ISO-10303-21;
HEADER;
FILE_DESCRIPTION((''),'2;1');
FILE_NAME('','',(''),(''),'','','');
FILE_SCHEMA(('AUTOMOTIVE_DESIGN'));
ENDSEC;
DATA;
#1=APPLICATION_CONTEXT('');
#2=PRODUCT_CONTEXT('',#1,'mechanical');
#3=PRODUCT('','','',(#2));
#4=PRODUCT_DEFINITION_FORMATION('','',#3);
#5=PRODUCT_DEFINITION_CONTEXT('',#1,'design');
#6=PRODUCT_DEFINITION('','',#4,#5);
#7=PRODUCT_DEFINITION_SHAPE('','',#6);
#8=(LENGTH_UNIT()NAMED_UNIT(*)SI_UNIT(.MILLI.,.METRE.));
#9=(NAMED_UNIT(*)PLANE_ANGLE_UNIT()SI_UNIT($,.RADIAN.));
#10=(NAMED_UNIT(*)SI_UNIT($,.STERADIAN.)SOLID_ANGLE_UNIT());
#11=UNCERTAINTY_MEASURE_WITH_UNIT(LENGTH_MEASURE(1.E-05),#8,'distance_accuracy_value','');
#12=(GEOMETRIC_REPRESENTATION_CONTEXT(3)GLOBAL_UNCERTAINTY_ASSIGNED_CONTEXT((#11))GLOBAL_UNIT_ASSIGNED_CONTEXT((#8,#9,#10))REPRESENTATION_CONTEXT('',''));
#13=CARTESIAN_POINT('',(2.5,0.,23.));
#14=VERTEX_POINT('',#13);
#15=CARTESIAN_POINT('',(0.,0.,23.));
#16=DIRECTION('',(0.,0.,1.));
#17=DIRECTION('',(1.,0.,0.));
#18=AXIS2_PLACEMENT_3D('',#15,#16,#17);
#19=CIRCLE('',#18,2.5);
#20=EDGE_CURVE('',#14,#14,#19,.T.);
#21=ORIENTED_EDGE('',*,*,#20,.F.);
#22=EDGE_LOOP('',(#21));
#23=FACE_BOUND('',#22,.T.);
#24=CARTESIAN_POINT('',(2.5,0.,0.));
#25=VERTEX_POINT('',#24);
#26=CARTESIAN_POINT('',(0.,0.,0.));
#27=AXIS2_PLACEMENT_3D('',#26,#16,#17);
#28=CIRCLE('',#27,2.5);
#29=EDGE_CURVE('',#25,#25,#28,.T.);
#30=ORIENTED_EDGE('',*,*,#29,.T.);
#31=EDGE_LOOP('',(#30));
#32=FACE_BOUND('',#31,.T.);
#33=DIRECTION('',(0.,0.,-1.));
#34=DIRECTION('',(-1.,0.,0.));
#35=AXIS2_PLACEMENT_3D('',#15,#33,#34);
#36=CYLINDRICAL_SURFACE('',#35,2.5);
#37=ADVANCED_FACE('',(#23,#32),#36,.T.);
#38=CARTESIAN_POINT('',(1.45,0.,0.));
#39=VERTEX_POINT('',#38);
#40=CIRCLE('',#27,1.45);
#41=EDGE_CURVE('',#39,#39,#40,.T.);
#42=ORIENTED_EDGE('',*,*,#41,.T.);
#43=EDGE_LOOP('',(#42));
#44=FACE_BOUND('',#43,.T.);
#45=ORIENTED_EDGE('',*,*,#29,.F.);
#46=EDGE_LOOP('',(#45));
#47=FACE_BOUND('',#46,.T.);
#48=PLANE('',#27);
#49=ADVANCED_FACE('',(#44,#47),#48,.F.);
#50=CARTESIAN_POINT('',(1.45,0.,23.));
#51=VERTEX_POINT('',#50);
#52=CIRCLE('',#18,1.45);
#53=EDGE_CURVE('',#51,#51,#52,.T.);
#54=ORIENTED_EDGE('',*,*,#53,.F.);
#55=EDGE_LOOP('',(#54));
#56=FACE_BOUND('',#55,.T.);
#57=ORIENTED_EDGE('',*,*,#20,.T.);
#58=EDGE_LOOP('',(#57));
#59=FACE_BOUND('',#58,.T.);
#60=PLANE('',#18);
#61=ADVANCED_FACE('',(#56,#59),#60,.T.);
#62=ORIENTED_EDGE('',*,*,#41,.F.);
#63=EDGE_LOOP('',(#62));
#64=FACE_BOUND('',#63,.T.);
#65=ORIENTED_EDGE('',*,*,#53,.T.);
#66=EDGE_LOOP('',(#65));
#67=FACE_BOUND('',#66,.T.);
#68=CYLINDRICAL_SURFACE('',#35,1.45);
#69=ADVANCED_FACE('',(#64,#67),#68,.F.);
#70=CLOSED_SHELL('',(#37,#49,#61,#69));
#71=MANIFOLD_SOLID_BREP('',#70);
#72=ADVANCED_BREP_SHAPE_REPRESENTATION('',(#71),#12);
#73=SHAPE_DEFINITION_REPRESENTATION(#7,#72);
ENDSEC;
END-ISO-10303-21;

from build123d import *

# Parameters (mm, degrees)
SKETCH_1_R      = 2.5
SKETCH_1_R_2    = 1.45
EXTRUDE_1_DEPTH = 23


with BuildPart() as part:
    # 草图1 → 凸台-拉伸1 (new body)
    with BuildSketch(Plane.XY):
        Circle(SKETCH_1_R)
        Circle(SKETCH_1_R_2, mode=Mode.SUBTRACT)
    extrude(amount=EXTRUDE_1_DEPTH)


solid = part.part
